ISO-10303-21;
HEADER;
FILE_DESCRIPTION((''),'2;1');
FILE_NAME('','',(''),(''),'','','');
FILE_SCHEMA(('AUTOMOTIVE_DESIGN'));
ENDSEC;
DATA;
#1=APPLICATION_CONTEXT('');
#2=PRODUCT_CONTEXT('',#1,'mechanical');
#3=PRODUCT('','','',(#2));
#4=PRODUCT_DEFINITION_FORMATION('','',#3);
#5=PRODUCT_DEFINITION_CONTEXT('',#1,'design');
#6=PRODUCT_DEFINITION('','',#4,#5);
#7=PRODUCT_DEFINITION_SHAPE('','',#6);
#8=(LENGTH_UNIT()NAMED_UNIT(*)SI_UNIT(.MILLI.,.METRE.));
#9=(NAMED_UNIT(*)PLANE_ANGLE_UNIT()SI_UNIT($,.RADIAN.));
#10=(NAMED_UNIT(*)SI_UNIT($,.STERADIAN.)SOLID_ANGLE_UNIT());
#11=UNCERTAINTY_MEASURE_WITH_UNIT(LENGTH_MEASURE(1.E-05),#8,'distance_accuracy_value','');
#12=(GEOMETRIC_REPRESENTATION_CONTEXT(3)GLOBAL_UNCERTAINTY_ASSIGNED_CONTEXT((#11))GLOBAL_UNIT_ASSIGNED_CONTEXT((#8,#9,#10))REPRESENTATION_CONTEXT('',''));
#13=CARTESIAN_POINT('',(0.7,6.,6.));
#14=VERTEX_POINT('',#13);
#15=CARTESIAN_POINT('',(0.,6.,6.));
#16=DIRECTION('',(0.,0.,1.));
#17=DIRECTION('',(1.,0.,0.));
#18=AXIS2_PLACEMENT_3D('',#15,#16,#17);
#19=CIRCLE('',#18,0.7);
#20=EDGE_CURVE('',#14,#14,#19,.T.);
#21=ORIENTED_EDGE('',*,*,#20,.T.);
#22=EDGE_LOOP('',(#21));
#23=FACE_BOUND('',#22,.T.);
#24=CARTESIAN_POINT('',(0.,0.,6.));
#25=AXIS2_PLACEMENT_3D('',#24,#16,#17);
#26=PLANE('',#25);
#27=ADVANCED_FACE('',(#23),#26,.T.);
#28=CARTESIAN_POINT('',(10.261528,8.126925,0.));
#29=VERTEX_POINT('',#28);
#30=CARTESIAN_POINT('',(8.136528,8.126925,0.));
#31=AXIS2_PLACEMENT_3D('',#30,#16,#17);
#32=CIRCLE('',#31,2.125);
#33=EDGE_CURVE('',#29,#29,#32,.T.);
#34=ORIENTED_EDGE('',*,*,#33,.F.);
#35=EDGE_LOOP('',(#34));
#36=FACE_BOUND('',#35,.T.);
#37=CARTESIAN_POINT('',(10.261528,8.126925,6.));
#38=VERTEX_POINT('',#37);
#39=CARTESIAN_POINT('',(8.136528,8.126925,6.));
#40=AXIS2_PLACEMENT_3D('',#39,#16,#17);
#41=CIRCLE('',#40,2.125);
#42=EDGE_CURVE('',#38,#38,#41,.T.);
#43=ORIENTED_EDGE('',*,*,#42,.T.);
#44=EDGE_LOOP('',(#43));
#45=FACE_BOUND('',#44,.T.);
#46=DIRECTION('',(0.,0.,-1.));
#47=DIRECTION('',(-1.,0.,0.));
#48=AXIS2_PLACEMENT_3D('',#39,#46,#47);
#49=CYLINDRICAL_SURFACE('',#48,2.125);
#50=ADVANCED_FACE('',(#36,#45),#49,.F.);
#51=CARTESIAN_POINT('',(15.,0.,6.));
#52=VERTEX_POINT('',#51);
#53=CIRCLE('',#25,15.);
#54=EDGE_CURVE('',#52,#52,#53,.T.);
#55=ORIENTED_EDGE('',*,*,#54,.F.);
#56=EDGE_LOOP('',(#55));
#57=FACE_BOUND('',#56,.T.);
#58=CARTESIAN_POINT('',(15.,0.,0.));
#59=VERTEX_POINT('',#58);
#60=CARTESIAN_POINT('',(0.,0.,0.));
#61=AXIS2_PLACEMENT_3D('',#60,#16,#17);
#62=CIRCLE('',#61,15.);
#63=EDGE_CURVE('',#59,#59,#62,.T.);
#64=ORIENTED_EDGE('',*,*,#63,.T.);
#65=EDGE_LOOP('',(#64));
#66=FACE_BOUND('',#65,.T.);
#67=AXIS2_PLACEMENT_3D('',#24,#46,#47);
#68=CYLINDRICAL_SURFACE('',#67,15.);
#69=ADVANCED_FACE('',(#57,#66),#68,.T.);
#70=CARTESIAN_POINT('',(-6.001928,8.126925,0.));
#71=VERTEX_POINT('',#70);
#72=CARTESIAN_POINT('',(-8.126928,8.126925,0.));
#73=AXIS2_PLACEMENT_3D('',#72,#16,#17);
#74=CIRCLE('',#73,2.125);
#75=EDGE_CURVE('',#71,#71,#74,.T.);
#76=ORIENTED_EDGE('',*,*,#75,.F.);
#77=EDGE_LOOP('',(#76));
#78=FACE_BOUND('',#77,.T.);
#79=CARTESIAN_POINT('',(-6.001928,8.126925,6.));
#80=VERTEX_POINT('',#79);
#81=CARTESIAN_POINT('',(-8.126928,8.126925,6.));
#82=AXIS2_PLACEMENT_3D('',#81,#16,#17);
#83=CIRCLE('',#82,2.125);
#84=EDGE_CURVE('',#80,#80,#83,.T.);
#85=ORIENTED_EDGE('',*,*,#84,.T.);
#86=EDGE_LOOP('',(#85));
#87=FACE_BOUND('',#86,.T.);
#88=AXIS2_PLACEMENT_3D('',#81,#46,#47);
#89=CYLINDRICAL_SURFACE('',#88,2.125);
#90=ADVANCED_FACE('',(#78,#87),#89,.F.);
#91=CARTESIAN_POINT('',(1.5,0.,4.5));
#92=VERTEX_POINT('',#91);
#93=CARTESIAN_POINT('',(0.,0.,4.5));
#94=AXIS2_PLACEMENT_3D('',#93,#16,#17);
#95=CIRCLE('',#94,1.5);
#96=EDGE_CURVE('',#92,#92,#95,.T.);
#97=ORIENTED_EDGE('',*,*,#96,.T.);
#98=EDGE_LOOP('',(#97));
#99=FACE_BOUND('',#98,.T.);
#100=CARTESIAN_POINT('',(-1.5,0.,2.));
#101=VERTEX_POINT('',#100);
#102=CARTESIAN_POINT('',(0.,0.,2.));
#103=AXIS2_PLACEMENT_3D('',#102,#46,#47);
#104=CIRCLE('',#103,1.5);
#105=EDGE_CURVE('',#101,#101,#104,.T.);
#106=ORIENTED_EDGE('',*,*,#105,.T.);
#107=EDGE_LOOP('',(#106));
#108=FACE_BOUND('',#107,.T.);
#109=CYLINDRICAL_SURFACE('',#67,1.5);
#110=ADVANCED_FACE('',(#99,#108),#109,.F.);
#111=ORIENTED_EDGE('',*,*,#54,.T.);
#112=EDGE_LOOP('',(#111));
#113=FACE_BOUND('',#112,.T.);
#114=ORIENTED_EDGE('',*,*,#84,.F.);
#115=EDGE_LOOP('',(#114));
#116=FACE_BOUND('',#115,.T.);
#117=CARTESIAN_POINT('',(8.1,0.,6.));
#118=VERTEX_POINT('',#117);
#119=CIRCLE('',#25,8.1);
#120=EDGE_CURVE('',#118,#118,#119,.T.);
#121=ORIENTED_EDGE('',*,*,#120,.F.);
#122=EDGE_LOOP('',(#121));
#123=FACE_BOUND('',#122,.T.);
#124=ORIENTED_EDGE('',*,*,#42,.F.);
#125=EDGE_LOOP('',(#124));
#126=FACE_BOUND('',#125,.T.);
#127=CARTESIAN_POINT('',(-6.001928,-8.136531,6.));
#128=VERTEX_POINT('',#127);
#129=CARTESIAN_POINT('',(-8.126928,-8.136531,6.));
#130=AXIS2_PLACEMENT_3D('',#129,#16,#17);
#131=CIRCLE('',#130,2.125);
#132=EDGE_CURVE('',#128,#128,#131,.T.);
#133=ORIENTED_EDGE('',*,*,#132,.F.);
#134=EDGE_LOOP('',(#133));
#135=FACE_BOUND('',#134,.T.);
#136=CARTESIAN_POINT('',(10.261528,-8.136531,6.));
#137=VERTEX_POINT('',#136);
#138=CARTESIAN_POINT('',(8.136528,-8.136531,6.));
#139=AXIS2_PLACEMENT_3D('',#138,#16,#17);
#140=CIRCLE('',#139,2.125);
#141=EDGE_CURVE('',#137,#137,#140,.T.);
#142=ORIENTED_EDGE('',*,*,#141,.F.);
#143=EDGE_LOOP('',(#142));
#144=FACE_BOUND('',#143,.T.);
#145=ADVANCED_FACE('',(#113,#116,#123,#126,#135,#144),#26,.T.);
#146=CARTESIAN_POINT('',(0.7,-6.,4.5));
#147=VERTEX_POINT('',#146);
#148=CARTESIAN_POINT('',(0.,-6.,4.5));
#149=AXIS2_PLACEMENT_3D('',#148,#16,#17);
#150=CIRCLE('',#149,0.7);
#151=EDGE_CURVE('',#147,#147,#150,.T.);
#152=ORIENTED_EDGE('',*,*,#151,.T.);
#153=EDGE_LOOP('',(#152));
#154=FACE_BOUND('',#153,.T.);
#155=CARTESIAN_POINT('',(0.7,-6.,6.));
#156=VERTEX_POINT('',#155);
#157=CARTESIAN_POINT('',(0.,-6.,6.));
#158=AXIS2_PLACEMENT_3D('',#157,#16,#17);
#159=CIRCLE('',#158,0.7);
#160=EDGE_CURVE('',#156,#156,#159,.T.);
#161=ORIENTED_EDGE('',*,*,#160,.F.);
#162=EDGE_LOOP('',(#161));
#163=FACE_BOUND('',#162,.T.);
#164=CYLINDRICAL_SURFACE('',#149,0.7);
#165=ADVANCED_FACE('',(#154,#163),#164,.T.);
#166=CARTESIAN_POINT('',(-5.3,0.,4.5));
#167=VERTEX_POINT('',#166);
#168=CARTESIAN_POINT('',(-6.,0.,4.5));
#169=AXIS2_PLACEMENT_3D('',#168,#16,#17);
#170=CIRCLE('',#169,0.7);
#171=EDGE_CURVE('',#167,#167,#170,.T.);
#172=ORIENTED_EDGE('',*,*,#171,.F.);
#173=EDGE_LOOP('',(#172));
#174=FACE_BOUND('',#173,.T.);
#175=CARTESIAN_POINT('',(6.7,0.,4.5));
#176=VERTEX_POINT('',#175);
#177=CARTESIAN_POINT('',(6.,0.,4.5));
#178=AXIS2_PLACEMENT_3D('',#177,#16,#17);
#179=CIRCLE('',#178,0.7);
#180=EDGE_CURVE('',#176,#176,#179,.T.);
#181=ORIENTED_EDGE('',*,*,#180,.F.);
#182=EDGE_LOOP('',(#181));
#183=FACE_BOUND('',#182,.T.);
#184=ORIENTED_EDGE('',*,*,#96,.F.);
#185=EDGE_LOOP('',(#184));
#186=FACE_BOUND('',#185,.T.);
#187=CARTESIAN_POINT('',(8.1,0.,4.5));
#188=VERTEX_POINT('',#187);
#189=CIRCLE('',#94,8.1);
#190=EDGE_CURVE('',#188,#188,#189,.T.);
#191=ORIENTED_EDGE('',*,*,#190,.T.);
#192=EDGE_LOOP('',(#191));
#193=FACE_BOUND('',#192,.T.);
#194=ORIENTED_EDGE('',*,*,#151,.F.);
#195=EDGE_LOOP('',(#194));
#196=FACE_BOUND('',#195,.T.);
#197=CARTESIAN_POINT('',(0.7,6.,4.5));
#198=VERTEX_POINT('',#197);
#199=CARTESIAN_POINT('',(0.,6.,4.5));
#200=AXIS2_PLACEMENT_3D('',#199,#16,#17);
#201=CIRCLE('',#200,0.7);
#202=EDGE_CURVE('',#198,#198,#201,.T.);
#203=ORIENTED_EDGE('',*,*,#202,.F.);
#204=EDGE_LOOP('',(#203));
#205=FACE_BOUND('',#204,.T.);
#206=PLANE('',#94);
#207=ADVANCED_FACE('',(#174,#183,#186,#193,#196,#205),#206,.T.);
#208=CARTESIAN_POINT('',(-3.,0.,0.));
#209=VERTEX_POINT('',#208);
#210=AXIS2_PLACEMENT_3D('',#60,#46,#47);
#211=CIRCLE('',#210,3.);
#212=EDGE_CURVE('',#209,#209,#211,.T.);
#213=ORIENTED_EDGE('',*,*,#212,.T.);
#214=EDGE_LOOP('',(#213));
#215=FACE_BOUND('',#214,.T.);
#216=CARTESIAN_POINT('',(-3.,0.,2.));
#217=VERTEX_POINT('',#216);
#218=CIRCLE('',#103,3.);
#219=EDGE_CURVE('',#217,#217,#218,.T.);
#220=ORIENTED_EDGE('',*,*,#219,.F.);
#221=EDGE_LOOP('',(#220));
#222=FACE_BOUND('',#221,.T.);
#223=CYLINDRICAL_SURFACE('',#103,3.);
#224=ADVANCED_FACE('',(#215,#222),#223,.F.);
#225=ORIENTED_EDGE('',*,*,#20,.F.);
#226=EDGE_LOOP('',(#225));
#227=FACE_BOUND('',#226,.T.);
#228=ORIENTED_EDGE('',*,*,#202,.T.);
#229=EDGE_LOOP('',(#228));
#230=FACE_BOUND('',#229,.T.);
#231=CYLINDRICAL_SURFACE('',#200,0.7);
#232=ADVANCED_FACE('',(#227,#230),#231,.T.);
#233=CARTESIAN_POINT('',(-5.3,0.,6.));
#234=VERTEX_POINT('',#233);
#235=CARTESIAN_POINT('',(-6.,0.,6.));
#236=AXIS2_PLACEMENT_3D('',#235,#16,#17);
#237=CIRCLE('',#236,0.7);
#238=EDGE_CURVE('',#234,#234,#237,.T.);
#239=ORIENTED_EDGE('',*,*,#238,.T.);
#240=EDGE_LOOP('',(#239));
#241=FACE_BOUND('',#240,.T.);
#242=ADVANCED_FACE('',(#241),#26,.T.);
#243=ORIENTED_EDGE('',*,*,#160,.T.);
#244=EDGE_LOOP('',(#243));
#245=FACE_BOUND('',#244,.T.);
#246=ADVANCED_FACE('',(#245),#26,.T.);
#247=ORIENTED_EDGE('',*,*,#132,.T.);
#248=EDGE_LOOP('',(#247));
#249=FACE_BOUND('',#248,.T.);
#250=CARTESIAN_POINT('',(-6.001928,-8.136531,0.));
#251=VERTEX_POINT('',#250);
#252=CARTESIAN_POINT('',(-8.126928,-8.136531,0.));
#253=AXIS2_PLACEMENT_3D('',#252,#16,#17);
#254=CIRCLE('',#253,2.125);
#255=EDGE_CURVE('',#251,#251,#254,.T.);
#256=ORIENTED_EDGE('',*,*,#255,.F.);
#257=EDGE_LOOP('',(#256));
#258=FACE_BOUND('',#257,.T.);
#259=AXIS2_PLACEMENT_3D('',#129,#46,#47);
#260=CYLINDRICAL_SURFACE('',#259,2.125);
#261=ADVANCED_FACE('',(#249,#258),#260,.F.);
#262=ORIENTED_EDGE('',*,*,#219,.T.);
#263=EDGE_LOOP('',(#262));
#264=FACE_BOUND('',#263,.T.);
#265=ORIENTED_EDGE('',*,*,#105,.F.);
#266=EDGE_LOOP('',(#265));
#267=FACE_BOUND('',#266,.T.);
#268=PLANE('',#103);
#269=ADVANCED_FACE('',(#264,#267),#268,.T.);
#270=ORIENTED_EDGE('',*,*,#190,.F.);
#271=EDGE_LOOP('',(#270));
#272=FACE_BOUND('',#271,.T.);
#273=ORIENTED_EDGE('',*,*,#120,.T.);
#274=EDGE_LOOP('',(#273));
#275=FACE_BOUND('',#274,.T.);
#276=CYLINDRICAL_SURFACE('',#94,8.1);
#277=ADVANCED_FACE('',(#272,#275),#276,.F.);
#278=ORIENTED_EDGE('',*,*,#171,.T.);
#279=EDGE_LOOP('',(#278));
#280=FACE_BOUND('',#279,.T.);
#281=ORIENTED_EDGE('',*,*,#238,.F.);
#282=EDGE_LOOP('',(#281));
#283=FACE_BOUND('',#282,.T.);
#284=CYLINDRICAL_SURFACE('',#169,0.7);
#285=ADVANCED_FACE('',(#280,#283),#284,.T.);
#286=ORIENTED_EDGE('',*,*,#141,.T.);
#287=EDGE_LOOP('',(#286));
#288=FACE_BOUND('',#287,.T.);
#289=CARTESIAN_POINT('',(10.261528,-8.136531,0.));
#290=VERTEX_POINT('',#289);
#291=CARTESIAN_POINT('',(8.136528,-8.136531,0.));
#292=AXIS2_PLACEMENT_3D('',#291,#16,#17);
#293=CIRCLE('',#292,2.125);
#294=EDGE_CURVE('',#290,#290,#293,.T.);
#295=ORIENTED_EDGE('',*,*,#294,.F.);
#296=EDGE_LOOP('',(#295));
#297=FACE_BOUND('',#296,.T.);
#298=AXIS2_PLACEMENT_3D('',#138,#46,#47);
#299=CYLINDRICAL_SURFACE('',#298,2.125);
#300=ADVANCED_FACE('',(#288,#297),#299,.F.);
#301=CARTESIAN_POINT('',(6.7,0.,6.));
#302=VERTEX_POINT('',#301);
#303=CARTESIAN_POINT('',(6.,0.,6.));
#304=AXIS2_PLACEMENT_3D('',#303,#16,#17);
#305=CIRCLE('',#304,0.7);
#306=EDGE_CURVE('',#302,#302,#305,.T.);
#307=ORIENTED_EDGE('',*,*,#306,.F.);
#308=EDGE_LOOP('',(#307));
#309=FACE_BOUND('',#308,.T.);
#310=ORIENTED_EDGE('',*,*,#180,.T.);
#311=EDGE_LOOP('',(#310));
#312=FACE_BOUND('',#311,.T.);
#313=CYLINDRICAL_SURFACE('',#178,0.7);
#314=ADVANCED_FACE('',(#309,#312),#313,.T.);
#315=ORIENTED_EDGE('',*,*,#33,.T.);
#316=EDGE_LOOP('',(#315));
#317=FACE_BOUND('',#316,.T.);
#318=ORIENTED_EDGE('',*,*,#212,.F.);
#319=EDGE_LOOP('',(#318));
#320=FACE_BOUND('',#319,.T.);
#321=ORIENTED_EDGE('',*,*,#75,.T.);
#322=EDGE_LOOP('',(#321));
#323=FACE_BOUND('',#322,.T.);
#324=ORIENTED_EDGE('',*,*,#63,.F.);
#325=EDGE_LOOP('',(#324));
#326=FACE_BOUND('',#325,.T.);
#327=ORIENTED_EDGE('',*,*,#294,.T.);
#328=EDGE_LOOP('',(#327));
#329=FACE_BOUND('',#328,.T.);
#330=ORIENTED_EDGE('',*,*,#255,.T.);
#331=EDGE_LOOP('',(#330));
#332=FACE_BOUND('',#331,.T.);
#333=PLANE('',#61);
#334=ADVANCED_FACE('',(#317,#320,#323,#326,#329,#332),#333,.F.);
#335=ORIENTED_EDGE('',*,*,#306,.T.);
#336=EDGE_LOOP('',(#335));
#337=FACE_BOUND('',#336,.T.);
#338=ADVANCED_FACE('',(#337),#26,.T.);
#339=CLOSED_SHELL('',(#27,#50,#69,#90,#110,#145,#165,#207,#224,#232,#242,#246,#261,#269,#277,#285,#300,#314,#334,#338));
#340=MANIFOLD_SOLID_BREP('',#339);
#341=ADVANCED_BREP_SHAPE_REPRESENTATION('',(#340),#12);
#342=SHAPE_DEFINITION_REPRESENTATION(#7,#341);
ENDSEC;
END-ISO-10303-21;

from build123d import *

# Parameters (mm, degrees)
SKETCH1_R           = 15
SKETCH1_R_2         = 2.125
SKETCH1_R_3         = 1.5
BOSS_EXTRUDE1_DEPTH = 6
SKETCH2_R           = 8.1
SKETCH2_R_2         = 0.7
CUT_EXTRUDE1_DEPTH  = 1.5
SKETCH3_R           = 3
CUT_EXTRUDE2_DEPTH  = 2


with BuildPart() as part:
    # Sketch1 → Boss-Extrude1 (new body)
    with BuildSketch(Plane.XY):
        Circle(SKETCH1_R)
        with Locations((8.136527837, 8.126925295)):
            Circle(SKETCH1_R_2, mode=Mode.SUBTRACT)
        with Locations((8.136527837, -8.136530672)):
            Circle(SKETCH1_R_2, mode=Mode.SUBTRACT)
        with Locations((-8.12692813, -8.136530672)):
            Circle(SKETCH1_R_2, mode=Mode.SUBTRACT)
        with Locations((-8.12692813, 8.126925295)):
            Circle(SKETCH1_R_2, mode=Mode.SUBTRACT)
        Circle(SKETCH1_R_3, mode=Mode.SUBTRACT)
    extrude(amount=BOSS_EXTRUDE1_DEPTH)

    # Sketch2 → Cut-Extrude1 (cut)
    with BuildSketch(Plane.XY.offset(6)):
        Circle(SKETCH2_R)
        with Locations((0, 6)):
            Circle(SKETCH2_R_2, mode=Mode.SUBTRACT)
        with Locations((6, 0)):
            Circle(SKETCH2_R_2, mode=Mode.SUBTRACT)
        with Locations((0, -6)):
            Circle(SKETCH2_R_2, mode=Mode.SUBTRACT)
        with Locations((-6, 0)):
            Circle(SKETCH2_R_2, mode=Mode.SUBTRACT)
    extrude(amount=-CUT_EXTRUDE1_DEPTH, mode=Mode.SUBTRACT)

    # Sketch3 → Cut-Extrude2 (cut)
    with BuildSketch(Plane(origin=(0, 0, 0), x_dir=(-1, 0, 0), z_dir=(0, 0, -1))):
        Circle(SKETCH3_R)
    extrude(amount=-CUT_EXTRUDE2_DEPTH, mode=Mode.SUBTRACT)


solid = part.part
